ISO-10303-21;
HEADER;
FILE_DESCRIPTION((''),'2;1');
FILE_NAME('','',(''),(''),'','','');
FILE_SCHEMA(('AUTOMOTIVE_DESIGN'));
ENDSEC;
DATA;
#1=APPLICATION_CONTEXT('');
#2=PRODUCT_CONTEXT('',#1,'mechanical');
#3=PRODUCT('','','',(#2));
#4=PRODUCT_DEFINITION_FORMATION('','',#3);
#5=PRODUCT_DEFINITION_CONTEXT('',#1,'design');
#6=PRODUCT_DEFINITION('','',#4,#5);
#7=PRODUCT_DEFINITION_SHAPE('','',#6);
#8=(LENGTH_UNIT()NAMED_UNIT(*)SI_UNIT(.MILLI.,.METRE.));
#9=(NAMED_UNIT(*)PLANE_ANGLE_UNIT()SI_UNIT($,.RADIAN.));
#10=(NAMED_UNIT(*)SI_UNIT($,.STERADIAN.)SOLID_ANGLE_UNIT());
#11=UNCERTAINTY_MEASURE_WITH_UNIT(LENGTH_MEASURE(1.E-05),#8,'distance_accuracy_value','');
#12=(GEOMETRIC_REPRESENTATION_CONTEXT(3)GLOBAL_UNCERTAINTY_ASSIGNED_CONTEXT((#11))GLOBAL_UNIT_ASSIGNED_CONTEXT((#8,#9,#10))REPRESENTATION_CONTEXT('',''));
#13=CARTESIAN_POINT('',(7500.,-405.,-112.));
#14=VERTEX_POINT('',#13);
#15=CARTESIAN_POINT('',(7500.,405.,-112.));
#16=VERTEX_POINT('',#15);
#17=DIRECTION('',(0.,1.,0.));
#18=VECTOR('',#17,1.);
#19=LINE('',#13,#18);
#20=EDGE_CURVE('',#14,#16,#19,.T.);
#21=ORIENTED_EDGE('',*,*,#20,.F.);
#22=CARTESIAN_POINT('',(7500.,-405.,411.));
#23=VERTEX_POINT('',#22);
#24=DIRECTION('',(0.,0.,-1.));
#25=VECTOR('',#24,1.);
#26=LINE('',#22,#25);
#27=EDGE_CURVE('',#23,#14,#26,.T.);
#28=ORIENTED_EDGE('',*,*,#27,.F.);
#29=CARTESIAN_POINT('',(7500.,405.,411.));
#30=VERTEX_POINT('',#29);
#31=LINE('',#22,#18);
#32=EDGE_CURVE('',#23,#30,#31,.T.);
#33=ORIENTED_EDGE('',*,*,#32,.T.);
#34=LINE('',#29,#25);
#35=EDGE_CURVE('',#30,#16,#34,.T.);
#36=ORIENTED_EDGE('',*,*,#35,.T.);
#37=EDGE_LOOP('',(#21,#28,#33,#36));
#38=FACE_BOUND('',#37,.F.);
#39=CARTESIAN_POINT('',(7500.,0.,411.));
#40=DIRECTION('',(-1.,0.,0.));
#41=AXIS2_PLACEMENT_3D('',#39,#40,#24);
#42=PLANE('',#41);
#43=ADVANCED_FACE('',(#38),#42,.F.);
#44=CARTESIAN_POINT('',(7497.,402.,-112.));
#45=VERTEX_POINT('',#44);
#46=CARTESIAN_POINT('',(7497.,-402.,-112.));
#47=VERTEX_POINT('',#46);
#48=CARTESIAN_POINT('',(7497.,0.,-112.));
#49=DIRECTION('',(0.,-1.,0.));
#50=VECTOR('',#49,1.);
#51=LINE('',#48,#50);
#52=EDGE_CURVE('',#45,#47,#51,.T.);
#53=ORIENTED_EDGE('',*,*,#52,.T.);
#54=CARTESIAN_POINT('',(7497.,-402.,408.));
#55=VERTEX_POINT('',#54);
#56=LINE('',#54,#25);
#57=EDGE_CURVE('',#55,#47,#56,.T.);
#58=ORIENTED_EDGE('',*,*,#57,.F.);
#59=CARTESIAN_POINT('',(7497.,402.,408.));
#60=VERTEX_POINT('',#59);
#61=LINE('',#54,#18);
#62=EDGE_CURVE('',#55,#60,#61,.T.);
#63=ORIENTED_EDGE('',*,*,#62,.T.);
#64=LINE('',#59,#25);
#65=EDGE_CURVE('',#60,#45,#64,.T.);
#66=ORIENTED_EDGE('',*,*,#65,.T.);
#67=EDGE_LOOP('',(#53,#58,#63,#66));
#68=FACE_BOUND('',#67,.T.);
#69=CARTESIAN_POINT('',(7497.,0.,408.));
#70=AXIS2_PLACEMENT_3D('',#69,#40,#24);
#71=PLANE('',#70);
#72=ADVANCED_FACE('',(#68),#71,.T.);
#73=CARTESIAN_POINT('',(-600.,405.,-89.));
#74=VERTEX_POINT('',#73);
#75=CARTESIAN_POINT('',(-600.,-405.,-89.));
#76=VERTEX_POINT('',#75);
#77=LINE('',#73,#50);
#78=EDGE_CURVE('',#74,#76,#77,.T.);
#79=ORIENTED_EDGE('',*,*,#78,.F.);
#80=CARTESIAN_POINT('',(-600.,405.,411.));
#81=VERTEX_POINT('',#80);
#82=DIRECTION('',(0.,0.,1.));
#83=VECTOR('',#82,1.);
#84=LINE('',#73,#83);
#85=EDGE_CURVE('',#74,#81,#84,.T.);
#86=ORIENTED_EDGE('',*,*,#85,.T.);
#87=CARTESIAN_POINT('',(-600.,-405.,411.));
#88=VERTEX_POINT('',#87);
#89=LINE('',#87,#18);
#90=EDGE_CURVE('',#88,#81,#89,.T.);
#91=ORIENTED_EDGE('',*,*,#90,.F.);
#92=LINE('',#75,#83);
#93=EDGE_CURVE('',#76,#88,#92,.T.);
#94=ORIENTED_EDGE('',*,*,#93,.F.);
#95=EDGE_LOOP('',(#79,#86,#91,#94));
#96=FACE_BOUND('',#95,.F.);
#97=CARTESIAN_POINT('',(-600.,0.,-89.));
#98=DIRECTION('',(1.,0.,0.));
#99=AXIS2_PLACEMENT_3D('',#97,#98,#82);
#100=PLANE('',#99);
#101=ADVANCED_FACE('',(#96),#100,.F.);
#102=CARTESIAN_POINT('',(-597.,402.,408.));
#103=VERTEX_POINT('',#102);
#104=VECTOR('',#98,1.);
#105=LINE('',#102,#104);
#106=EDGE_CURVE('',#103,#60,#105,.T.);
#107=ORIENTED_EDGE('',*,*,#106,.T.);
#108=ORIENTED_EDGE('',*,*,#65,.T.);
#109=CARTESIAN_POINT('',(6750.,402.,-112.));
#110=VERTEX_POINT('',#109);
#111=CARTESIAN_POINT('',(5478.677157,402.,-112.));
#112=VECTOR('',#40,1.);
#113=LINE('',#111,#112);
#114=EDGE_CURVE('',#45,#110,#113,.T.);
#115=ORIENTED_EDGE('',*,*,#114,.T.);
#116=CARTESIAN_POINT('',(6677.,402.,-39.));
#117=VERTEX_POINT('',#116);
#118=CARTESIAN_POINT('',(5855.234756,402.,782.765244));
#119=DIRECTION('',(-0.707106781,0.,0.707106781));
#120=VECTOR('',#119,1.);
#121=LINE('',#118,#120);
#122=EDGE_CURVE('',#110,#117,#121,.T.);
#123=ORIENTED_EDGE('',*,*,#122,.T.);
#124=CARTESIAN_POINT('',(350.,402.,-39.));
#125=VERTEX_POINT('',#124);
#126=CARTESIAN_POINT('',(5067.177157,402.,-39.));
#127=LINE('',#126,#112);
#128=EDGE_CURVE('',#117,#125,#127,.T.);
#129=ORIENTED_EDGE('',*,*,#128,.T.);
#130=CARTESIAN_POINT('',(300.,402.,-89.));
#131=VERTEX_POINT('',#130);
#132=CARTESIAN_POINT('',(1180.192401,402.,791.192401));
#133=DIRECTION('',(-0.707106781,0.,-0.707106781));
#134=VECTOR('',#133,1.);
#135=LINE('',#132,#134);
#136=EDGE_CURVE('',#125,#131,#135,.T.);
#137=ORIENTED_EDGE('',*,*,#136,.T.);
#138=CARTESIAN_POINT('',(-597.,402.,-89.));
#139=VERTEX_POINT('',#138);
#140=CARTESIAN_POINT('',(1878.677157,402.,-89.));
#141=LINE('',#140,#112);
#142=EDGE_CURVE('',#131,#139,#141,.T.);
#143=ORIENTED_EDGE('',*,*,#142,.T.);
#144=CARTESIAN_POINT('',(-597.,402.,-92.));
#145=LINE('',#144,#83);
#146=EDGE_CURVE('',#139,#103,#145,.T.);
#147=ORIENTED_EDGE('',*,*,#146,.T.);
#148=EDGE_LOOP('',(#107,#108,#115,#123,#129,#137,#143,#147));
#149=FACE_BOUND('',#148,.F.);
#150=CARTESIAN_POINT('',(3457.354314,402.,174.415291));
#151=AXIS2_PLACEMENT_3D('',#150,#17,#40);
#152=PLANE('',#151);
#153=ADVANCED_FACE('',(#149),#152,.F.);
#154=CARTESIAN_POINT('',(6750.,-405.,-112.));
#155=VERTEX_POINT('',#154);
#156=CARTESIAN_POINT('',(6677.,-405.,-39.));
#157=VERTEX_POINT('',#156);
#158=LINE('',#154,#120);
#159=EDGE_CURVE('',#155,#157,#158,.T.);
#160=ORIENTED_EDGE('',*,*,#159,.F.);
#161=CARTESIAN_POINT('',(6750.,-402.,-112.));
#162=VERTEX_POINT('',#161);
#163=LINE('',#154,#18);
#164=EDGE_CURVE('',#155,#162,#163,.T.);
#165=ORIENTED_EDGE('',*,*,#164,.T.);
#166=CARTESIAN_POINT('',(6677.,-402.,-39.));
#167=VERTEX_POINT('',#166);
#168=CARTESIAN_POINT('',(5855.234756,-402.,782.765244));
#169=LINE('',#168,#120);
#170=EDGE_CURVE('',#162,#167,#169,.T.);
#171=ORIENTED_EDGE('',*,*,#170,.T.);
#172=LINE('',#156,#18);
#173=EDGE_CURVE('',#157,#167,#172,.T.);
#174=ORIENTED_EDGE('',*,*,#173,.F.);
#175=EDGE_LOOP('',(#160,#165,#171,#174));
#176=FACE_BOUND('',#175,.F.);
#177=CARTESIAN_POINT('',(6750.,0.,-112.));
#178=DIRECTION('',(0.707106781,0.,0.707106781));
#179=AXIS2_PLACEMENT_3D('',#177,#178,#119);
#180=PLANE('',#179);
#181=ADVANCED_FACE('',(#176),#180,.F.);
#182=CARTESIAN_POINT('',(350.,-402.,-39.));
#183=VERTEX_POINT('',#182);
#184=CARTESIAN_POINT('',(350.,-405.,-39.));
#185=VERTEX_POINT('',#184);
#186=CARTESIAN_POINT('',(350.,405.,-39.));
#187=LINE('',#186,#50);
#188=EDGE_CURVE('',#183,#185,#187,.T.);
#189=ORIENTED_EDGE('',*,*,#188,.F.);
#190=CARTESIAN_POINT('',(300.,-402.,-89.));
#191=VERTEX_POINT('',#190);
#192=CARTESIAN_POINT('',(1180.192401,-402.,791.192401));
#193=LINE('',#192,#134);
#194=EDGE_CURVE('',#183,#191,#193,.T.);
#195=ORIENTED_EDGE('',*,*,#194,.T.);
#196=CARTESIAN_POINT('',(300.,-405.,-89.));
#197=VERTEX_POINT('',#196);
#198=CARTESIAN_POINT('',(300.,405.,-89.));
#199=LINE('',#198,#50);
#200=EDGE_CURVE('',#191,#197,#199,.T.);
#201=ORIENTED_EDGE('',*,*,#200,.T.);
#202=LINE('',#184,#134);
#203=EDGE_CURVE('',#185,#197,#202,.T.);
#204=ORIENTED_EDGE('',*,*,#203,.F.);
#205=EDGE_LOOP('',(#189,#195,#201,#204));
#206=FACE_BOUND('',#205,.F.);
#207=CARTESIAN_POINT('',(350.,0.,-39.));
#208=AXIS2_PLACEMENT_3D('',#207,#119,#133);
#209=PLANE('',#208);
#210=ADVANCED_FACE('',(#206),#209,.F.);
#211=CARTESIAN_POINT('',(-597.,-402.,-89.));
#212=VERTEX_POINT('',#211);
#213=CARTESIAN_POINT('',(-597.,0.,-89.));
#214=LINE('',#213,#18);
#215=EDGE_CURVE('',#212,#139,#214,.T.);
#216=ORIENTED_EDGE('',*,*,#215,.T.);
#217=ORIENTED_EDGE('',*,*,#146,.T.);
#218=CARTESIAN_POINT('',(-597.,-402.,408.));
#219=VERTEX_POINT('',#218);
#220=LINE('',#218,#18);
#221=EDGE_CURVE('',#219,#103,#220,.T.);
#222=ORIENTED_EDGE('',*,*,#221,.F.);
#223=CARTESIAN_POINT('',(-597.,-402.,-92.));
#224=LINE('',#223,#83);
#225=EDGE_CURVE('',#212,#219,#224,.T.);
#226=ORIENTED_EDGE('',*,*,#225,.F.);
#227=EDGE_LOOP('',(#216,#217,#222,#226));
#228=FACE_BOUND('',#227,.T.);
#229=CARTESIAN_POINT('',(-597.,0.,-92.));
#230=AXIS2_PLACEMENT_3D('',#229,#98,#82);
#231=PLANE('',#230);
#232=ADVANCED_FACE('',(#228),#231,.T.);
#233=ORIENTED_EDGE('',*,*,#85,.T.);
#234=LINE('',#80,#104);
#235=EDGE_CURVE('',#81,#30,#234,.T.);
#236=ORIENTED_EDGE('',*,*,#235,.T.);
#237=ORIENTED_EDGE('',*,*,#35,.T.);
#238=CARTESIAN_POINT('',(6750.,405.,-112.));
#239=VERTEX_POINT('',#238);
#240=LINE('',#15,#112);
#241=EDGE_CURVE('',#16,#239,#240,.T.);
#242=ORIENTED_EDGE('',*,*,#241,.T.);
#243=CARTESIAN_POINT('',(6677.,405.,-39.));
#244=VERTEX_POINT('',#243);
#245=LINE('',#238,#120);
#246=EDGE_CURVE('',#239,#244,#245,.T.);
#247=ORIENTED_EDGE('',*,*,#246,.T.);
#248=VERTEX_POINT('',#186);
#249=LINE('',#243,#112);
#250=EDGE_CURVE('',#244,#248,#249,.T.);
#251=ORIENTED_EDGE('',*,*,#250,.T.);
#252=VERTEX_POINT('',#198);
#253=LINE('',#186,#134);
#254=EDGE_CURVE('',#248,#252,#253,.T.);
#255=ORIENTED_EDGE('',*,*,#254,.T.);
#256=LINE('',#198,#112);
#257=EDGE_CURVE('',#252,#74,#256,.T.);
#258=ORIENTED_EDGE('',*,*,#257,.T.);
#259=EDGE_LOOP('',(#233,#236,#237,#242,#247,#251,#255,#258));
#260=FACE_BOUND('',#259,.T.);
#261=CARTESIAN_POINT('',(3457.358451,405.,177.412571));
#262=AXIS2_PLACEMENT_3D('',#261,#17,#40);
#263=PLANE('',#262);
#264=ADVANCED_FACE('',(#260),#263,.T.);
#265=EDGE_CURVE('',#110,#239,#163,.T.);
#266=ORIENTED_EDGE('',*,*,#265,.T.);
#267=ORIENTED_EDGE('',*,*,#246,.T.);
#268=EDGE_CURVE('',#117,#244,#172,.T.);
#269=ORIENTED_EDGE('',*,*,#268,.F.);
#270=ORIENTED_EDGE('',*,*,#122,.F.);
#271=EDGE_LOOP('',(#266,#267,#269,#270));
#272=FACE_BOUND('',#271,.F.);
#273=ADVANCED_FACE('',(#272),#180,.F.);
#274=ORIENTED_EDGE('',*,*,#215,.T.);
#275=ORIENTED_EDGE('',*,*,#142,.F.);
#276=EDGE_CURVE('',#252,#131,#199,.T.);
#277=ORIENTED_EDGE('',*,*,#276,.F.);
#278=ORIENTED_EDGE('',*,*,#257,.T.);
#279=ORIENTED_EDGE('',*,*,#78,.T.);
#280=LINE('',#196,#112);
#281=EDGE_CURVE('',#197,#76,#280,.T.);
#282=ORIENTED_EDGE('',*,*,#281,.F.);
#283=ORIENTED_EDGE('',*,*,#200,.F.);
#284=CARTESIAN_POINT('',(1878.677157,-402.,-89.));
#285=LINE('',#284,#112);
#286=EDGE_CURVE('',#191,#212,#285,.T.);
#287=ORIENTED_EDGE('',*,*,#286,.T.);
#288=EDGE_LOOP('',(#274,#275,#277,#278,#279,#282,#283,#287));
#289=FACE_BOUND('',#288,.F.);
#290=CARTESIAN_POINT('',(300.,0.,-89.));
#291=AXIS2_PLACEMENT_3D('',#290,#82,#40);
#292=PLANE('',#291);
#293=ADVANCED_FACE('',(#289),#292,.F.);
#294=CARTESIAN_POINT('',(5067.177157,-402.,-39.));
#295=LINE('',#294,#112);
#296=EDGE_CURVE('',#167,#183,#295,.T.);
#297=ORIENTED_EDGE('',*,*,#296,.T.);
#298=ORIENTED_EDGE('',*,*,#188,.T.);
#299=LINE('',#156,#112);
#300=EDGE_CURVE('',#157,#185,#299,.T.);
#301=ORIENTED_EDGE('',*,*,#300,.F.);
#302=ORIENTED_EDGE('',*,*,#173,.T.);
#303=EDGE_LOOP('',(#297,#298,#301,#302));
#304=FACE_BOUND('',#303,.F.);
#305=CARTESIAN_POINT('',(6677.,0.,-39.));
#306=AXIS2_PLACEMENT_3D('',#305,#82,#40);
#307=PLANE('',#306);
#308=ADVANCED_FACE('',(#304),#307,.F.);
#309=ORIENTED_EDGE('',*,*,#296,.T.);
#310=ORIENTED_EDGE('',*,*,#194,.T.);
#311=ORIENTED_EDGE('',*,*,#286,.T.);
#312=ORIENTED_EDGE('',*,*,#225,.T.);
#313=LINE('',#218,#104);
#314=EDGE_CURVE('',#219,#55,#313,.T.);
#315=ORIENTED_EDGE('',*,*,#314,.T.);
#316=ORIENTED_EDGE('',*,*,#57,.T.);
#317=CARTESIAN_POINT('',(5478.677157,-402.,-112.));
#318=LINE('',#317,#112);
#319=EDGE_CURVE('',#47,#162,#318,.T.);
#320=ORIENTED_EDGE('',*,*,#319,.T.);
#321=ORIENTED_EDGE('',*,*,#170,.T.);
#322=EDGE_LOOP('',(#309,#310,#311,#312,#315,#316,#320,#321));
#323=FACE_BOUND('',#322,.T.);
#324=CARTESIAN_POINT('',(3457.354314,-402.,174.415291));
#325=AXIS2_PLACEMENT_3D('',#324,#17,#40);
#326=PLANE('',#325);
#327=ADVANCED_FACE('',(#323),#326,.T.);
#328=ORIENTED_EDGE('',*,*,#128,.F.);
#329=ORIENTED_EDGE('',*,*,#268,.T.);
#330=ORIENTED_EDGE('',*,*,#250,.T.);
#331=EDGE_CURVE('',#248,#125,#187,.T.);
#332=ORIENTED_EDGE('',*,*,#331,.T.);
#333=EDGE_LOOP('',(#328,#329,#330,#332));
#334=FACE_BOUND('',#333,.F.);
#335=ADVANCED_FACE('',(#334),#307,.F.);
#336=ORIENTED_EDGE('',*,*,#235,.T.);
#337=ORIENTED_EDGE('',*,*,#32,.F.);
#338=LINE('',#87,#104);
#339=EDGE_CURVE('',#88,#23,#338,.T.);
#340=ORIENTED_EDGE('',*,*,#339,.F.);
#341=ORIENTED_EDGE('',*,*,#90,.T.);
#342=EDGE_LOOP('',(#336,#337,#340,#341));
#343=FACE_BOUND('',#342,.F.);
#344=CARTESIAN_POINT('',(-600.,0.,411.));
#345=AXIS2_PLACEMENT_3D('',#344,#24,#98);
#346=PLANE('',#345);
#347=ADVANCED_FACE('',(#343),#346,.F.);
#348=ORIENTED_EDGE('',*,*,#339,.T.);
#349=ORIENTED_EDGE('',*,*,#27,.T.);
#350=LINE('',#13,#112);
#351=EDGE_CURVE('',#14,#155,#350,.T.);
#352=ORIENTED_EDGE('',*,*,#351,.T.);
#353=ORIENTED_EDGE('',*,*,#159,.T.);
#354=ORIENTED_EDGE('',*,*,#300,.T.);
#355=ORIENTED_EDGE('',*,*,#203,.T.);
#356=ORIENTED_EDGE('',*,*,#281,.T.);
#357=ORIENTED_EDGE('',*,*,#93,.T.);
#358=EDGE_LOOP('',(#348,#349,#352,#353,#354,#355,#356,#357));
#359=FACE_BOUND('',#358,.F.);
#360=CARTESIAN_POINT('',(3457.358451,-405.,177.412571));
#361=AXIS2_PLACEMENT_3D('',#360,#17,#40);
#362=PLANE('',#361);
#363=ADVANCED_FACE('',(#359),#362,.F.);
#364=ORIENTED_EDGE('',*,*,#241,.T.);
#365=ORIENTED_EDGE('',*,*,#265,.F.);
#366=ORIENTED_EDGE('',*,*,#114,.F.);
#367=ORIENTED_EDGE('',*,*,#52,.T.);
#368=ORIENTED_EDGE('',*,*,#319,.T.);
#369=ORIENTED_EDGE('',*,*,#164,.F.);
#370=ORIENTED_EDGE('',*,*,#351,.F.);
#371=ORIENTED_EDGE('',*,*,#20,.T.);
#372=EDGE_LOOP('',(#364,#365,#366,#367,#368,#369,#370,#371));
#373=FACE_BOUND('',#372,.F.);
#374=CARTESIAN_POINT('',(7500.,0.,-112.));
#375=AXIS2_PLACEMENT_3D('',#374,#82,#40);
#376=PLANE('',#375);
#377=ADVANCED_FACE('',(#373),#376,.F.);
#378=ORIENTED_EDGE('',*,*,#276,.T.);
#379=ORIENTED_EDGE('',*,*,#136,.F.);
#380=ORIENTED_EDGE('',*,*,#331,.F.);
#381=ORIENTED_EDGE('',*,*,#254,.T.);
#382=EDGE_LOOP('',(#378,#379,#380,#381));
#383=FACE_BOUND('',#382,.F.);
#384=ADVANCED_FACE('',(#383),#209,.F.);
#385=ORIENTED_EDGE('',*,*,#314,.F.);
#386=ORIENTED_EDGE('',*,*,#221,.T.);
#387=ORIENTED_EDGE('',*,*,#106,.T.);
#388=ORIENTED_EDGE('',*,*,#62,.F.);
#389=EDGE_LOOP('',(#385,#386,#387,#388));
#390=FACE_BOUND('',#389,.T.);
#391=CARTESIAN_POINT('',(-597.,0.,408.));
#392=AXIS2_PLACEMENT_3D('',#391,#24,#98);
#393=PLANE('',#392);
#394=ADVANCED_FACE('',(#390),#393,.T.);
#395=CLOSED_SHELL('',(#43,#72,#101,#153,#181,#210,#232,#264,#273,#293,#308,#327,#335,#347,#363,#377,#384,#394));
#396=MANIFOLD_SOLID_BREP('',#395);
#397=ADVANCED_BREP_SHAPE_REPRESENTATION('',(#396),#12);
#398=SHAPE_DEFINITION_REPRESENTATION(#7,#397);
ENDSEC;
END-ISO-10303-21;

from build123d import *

# Parameters (mm, degrees)
EXTRUDE033_DEPTH = 402
EXTRUDE012_DEPTH = 405


with BuildPart() as extrude033:
    # Sketch034 → Extrude033 (new body, symmetric)
    with BuildSketch(Plane.XZ):
        Polygon((-597, -89), (-597, 411), (7497, 411), (7497, -112), (6747, -112), (6674, -39), (350, -39), (300, -89), align=None)
    extrude(amount=EXTRUDE033_DEPTH, both=True)


with BuildPart() as extrude033_1:
    # Extrude033 placement: moved
    add(extrude033.part.moved(Location((0, 0, -3))))


with BuildPart() as cut003:
    # Sketch020 → Extrude012 (new body, symmetric)
    with BuildSketch(Plane.XZ):
        Polygon((-600, -89), (-600, 411), (7500, 411), (7500, -112), (6750, -112), (6677, -39), (350, -39), (300, -89), align=None)
    extrude(amount=EXTRUDE012_DEPTH, both=True)

    # Cut003: cut Extrude033
    add(extrude033_1.part, mode=Mode.SUBTRACT)


solid = cut003.part
